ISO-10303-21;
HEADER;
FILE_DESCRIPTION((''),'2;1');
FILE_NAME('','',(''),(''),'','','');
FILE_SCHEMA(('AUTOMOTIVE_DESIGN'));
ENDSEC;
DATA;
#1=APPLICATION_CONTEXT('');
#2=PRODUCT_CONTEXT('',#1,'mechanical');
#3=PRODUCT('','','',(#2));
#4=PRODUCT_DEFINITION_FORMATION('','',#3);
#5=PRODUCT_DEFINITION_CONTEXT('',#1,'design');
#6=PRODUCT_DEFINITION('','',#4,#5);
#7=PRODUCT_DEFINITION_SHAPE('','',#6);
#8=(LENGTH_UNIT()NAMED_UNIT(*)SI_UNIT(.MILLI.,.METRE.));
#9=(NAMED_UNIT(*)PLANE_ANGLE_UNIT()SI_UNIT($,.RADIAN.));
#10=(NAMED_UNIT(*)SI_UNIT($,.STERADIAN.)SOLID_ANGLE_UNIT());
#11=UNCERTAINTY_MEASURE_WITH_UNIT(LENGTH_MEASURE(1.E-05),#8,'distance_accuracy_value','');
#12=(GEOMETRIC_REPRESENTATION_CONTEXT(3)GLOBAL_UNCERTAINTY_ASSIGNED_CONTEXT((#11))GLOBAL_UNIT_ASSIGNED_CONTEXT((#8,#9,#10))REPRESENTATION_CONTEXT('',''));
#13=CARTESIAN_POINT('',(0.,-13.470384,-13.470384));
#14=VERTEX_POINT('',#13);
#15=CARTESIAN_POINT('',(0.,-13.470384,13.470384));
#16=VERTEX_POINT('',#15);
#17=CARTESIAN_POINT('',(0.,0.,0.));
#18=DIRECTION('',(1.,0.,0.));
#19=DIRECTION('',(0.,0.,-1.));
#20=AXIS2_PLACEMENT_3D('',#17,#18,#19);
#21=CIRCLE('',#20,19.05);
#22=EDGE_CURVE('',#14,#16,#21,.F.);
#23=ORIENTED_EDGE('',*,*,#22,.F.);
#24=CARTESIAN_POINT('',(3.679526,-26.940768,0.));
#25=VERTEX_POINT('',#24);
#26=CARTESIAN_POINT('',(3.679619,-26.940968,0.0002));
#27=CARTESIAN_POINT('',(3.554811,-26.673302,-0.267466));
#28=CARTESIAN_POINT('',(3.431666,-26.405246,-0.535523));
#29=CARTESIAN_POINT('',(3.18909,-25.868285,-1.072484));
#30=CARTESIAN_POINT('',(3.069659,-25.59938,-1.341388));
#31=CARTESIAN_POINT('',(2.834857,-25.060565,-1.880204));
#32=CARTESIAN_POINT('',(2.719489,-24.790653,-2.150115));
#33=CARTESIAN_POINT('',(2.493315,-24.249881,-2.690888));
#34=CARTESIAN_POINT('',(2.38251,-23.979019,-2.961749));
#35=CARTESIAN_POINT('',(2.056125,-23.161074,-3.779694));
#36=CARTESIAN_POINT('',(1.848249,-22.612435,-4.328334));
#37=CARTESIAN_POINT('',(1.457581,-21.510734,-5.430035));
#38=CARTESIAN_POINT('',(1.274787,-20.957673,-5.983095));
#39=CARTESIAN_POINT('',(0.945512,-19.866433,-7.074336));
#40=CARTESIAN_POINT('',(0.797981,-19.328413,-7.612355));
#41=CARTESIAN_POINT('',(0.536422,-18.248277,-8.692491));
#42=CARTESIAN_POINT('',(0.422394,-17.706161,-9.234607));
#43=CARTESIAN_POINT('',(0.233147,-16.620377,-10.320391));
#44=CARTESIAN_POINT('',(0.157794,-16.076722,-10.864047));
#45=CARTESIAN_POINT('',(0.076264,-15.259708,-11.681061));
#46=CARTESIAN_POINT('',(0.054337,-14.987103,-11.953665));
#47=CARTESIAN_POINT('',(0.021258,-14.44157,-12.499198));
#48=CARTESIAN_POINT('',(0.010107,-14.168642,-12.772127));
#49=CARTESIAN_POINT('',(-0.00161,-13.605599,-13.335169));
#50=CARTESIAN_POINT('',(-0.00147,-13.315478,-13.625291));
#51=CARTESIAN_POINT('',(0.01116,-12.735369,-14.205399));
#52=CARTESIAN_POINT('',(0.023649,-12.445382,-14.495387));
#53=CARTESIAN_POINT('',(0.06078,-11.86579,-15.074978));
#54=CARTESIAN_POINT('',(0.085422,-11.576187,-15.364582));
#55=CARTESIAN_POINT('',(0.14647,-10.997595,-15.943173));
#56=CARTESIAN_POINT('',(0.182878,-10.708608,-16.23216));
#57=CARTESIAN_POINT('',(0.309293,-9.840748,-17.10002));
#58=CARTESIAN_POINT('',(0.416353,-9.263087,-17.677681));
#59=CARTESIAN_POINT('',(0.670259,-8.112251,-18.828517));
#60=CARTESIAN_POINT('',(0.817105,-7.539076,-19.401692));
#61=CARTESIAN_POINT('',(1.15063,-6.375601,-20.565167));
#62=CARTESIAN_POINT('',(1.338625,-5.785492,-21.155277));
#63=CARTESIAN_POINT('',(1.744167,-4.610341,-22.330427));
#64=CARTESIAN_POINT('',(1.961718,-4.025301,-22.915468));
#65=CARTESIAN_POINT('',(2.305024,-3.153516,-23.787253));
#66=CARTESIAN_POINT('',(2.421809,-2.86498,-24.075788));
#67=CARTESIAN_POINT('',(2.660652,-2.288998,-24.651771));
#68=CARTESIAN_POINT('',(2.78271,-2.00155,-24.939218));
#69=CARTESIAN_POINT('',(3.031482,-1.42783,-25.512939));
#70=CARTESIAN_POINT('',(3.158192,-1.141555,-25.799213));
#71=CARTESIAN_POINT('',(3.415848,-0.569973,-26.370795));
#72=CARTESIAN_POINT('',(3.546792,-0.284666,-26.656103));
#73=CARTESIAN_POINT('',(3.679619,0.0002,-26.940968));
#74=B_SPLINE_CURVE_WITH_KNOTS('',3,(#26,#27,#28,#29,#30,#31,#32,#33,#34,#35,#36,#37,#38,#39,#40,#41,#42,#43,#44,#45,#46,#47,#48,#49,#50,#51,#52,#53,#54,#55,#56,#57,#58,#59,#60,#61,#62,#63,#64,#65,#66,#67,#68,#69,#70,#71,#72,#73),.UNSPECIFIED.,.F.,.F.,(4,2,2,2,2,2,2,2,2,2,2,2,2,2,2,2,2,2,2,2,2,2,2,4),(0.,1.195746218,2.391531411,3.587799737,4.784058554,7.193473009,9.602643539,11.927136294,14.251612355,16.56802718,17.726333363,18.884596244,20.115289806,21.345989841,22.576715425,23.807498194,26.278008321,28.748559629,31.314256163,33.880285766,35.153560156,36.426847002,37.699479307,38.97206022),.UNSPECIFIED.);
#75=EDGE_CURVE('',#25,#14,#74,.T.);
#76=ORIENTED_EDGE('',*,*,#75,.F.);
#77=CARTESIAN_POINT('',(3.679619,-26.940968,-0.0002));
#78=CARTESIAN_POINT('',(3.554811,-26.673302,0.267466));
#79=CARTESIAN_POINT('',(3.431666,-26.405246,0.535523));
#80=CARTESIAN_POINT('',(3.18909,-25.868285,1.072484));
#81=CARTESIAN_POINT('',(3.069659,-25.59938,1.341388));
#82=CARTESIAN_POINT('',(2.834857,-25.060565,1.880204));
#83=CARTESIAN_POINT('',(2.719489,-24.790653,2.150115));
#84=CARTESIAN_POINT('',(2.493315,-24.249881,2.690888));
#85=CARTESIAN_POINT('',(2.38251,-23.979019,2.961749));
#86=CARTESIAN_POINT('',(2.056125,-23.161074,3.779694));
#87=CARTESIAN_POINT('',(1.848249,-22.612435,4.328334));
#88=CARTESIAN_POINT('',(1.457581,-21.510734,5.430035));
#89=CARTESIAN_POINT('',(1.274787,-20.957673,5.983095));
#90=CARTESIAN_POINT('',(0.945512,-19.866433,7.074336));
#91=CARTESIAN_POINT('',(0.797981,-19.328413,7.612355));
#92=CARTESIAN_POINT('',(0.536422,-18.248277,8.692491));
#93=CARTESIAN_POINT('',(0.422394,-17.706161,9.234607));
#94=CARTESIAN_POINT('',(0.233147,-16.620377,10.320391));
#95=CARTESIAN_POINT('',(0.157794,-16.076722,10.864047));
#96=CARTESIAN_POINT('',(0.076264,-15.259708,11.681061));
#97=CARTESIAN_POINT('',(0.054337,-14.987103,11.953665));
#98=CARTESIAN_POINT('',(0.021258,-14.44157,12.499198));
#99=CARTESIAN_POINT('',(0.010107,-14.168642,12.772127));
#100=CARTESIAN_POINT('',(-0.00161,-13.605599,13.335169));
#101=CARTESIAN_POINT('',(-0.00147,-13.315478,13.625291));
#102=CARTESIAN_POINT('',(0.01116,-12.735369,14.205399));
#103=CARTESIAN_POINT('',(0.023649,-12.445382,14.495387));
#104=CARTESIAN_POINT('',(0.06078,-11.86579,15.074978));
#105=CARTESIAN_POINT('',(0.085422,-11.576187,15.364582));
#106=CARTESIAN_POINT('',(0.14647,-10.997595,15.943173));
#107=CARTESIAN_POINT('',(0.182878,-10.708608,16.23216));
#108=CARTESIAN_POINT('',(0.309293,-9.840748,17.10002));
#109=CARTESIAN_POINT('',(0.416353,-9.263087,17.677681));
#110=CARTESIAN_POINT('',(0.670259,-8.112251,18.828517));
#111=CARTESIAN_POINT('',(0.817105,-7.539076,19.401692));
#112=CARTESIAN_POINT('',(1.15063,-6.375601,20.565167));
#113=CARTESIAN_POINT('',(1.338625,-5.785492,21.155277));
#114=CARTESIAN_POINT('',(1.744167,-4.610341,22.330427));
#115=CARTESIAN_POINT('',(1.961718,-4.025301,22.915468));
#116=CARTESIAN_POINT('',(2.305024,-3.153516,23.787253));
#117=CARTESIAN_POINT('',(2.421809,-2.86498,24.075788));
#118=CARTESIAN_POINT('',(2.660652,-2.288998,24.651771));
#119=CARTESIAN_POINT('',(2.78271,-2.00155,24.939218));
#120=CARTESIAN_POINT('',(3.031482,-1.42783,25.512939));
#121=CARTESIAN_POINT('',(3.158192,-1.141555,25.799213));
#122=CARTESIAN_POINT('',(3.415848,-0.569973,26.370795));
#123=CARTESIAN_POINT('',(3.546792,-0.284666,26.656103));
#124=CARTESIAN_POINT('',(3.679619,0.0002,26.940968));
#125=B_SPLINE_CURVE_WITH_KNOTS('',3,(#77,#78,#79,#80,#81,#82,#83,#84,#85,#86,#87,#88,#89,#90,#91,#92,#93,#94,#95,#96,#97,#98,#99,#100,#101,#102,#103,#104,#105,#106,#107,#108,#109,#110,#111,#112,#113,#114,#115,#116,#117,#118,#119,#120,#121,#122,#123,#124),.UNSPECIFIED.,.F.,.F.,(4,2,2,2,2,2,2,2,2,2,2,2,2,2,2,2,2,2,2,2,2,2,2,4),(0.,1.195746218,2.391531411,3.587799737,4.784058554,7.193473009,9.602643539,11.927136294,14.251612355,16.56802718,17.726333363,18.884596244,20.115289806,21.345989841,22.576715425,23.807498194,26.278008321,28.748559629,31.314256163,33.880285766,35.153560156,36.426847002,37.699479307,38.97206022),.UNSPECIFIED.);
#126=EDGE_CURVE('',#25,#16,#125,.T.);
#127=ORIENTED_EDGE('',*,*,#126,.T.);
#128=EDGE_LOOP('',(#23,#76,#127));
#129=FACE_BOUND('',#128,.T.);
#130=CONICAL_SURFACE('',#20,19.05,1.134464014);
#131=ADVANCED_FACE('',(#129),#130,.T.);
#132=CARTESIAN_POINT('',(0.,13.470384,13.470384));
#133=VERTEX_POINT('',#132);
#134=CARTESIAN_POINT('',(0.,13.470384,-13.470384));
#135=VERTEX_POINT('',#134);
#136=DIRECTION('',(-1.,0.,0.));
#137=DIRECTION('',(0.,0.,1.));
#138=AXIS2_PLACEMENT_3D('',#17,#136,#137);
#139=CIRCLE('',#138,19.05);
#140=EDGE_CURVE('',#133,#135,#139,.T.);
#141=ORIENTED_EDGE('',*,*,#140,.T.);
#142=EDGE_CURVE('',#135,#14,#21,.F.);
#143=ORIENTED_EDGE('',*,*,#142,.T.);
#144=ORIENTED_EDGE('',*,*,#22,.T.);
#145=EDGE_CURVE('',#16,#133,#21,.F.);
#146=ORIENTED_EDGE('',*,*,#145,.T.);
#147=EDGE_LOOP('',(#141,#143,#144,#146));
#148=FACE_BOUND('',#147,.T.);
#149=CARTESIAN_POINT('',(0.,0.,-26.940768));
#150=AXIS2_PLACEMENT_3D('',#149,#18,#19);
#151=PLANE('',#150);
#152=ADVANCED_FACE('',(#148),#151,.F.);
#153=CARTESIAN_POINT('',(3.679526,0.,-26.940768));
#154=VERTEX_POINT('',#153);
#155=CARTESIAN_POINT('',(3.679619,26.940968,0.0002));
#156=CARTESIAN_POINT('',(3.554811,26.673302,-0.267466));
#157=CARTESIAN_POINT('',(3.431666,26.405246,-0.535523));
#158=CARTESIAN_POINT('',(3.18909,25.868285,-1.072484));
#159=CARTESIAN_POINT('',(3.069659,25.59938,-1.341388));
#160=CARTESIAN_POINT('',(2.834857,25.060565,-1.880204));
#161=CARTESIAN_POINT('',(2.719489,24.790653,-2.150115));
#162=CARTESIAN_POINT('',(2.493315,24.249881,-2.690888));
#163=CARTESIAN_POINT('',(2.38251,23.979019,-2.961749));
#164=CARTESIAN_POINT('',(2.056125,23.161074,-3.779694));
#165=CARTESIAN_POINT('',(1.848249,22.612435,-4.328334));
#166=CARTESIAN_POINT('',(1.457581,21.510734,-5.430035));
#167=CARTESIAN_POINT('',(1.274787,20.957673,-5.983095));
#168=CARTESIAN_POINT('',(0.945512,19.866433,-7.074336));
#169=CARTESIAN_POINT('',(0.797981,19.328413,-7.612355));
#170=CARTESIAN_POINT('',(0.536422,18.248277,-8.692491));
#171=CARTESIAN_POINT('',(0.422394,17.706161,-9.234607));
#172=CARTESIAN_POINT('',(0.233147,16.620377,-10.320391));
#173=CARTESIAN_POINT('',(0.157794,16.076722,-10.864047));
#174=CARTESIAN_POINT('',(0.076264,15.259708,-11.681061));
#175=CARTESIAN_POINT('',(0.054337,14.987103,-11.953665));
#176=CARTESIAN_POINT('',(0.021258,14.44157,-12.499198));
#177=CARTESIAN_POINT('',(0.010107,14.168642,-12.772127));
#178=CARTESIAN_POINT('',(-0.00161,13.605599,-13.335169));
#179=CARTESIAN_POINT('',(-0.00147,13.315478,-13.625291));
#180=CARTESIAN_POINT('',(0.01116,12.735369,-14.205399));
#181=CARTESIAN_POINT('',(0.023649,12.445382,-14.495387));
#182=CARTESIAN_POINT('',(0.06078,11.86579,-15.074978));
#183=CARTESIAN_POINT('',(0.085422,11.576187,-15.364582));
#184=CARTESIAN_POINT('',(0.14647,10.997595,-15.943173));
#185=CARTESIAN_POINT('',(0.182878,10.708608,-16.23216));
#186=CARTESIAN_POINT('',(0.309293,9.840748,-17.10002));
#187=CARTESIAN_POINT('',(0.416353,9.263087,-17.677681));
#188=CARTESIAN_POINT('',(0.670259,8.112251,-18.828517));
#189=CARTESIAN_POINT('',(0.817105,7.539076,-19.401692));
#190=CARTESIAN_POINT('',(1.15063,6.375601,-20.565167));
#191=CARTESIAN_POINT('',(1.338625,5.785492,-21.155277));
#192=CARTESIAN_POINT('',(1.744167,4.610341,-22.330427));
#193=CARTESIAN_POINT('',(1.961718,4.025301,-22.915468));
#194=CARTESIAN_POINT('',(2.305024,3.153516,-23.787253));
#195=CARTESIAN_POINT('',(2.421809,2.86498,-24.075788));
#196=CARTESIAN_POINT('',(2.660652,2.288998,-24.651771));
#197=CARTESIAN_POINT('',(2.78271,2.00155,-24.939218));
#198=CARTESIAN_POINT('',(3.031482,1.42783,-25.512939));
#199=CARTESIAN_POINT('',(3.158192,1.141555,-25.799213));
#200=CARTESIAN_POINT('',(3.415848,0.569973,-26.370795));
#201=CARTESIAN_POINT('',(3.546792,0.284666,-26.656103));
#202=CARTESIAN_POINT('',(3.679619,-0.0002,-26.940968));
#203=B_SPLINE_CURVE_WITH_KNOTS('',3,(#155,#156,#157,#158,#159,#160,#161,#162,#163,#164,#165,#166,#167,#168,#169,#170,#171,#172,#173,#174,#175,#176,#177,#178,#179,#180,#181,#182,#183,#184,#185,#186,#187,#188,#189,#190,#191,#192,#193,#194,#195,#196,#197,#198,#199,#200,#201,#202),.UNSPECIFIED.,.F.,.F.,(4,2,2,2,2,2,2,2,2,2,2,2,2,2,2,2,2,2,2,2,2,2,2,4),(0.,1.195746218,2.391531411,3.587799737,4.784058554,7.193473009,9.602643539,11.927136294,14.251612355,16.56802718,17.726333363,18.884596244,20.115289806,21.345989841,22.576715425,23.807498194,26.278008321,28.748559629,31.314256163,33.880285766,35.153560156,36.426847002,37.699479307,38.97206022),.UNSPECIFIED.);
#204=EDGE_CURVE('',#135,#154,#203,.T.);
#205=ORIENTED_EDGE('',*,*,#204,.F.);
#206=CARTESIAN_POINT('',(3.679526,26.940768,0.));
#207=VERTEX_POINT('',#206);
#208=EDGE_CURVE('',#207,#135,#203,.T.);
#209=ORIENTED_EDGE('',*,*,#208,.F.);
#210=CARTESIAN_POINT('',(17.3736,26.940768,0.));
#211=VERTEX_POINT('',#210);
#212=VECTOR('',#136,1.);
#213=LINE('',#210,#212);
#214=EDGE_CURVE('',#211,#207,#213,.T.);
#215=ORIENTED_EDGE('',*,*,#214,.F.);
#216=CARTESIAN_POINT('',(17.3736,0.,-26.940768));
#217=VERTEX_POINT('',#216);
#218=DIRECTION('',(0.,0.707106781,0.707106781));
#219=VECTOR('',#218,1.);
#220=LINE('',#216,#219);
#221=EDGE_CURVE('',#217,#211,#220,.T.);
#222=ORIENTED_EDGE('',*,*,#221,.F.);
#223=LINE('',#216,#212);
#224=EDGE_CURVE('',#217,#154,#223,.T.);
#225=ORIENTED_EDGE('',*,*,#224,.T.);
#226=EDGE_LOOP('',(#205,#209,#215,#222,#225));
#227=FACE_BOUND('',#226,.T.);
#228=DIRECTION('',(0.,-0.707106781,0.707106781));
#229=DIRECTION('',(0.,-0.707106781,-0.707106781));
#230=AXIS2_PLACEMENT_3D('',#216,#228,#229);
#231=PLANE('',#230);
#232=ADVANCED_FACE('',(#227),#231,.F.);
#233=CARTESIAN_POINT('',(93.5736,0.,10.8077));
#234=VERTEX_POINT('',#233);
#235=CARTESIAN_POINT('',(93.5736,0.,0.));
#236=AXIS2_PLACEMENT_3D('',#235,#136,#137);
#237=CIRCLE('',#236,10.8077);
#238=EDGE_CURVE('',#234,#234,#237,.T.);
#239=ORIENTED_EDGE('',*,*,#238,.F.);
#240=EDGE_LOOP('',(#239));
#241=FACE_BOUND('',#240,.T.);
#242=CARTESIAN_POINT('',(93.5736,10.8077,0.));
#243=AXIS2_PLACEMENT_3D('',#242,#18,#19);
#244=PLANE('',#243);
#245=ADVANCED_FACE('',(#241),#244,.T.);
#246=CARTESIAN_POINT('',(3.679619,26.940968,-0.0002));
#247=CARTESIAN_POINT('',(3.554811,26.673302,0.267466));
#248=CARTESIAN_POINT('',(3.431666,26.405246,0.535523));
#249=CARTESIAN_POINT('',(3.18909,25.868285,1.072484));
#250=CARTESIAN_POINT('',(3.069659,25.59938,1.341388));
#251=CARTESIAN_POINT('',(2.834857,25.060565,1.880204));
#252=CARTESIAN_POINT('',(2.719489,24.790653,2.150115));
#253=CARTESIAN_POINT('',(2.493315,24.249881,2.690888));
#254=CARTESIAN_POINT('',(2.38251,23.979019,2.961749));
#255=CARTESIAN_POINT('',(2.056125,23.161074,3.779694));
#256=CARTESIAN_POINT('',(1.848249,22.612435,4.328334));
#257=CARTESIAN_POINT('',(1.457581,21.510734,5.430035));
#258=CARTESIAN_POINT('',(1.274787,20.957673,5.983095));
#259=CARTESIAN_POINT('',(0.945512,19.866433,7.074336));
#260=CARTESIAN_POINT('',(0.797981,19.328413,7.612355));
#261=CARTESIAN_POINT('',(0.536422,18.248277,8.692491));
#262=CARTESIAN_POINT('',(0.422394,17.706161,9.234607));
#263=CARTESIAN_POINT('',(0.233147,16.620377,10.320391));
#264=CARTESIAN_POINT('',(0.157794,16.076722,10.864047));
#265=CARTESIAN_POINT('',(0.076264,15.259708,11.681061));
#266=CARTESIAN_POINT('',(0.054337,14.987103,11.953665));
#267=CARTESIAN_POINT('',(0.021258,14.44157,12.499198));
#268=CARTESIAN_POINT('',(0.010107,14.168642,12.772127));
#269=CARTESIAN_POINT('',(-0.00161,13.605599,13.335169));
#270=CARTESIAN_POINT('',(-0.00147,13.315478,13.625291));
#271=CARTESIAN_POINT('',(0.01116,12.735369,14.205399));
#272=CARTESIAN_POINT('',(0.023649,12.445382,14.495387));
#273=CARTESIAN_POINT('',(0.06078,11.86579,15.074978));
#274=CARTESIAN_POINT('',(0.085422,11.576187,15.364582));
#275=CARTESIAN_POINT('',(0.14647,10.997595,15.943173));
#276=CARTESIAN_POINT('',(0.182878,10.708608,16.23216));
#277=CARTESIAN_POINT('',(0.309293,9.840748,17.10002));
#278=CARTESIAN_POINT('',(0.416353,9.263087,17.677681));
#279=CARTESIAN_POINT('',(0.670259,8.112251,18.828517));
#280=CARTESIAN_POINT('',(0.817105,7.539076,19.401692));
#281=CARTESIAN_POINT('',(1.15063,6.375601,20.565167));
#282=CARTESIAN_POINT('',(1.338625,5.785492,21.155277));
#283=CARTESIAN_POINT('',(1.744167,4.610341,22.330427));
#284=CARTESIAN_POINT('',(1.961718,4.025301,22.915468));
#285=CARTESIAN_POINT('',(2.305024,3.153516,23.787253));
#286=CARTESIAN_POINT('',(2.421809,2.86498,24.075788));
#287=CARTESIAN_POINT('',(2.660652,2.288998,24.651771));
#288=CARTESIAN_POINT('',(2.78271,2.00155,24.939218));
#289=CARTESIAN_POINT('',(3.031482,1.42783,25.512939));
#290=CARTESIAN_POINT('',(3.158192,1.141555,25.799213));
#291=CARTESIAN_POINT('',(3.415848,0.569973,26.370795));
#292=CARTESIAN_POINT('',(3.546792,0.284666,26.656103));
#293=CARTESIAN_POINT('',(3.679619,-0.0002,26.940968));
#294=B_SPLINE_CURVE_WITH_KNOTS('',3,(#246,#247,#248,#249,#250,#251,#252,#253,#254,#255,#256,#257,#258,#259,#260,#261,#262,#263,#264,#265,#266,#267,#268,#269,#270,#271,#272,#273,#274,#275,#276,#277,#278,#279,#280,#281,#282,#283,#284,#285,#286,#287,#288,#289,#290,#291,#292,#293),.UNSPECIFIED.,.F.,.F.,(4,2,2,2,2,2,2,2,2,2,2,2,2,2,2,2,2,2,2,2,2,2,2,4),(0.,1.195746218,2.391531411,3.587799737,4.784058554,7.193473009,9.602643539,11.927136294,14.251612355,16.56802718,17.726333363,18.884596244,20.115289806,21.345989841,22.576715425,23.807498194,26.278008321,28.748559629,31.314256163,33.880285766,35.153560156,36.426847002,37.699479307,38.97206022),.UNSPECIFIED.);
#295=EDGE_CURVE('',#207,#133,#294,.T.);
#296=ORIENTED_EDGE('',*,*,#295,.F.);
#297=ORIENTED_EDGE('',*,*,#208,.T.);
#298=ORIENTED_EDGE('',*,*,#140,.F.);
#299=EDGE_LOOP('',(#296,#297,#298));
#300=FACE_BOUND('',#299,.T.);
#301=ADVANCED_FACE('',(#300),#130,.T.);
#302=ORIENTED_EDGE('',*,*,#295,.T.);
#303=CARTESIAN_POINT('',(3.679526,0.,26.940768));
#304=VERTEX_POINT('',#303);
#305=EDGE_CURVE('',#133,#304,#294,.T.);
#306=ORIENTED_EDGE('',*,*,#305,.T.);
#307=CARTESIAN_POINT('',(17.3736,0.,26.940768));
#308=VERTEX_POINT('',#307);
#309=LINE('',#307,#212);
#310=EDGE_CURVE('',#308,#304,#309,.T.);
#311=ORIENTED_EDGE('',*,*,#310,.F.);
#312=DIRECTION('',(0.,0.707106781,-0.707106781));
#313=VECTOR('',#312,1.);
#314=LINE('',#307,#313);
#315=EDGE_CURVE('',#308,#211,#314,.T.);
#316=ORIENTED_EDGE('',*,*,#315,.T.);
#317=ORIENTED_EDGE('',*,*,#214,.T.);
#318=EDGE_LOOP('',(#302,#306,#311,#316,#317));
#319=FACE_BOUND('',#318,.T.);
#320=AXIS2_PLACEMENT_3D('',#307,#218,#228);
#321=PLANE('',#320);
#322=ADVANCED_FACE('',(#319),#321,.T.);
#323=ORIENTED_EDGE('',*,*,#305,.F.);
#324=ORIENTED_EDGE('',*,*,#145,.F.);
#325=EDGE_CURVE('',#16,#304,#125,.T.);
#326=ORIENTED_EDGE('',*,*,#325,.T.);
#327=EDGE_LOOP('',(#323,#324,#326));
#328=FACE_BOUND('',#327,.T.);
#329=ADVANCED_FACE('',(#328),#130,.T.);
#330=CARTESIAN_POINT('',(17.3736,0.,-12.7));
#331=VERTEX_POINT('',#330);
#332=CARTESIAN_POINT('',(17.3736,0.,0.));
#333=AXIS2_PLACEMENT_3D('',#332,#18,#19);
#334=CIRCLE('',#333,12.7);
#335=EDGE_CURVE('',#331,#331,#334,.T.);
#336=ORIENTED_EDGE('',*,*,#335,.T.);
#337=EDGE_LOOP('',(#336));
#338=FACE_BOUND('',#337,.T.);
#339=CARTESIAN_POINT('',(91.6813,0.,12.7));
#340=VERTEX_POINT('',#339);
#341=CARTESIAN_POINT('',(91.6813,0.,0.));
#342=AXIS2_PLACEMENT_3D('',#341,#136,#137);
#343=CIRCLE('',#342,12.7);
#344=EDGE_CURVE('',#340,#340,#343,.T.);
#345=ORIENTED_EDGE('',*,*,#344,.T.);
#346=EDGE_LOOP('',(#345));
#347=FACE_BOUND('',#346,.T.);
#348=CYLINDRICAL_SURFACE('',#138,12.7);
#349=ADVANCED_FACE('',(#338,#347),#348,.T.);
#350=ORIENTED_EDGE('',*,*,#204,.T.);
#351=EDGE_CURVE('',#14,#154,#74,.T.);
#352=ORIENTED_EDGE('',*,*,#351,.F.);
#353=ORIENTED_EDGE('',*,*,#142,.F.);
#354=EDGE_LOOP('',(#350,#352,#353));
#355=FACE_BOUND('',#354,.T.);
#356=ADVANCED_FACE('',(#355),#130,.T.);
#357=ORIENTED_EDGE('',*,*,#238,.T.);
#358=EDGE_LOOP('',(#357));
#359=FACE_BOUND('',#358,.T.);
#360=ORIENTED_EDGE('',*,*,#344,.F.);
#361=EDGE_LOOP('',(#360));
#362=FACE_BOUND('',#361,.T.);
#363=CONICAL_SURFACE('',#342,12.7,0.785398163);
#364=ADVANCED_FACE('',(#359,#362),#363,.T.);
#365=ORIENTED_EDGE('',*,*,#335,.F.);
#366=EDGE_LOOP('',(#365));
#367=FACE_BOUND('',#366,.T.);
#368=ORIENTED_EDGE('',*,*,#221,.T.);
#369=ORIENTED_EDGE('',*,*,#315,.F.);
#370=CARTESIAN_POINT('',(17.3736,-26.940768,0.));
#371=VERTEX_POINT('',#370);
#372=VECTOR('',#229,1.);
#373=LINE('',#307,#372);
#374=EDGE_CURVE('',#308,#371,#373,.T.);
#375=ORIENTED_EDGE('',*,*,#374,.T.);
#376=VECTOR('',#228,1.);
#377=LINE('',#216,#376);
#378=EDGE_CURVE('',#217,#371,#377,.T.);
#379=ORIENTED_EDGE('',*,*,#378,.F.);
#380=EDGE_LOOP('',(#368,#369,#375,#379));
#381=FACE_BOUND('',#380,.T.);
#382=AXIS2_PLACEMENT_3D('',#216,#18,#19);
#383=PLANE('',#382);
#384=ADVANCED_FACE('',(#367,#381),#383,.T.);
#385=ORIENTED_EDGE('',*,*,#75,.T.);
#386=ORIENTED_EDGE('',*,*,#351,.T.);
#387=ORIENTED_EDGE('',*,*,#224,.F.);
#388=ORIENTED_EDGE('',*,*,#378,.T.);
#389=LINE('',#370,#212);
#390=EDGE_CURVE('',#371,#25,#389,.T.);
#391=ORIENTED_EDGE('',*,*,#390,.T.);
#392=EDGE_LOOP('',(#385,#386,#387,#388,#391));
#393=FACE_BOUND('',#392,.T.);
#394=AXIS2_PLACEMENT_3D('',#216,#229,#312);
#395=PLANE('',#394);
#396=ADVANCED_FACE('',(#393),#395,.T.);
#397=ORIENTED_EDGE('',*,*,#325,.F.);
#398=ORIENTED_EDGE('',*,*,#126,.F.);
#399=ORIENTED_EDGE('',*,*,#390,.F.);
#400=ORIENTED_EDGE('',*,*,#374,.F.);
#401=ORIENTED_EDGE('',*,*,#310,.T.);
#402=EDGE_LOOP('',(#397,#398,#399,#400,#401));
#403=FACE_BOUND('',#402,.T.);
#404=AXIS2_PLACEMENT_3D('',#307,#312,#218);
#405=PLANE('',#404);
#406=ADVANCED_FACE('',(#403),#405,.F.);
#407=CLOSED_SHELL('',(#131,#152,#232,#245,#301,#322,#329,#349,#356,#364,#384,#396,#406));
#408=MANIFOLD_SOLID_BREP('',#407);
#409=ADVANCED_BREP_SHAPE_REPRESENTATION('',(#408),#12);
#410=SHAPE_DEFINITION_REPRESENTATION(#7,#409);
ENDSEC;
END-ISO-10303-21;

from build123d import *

# Parameters (mm, degrees)
SKETCH1_W      = 38.1
SKETCH1_H      = 38.1
BASEHEAD_DEPTH = 17.3736


with BuildPart() as part:
    # Sketch1 → BaseHead (new body)
    with BuildSketch(Plane(origin=(0, 0, 0), x_dir=(0, 0.7071067811865488, -0.7071067811865462), z_dir=(1, 0, 0))):
        Rectangle(SKETCH1_W, SKETCH1_H)
    extrude(amount=BASEHEAD_DEPTH)

    # BodySke → Body (revolve)
    with BuildSketch(Plane.XY):
        Polygon((17.3736, 0), (17.3736, 12.7), (91.6813, 12.7), (93.5736, 10.8077), (93.5736, 0), align=None)
    revolve(axis=Axis((0, 0, 0), (1, 0, 0)))

    # Sketch3 → HeadChamfer (revolve, cut)
    with BuildSketch(Plane.XY):
        Polygon((0, 19.05), (-12.7, 19.05), (-12.7, 52.340768363), (15.523740234, 52.340768363), align=None)
    revolve(axis=Axis((0, 0, 0), (1, 0, 0)), mode=Mode.SUBTRACT)


solid = part.part
